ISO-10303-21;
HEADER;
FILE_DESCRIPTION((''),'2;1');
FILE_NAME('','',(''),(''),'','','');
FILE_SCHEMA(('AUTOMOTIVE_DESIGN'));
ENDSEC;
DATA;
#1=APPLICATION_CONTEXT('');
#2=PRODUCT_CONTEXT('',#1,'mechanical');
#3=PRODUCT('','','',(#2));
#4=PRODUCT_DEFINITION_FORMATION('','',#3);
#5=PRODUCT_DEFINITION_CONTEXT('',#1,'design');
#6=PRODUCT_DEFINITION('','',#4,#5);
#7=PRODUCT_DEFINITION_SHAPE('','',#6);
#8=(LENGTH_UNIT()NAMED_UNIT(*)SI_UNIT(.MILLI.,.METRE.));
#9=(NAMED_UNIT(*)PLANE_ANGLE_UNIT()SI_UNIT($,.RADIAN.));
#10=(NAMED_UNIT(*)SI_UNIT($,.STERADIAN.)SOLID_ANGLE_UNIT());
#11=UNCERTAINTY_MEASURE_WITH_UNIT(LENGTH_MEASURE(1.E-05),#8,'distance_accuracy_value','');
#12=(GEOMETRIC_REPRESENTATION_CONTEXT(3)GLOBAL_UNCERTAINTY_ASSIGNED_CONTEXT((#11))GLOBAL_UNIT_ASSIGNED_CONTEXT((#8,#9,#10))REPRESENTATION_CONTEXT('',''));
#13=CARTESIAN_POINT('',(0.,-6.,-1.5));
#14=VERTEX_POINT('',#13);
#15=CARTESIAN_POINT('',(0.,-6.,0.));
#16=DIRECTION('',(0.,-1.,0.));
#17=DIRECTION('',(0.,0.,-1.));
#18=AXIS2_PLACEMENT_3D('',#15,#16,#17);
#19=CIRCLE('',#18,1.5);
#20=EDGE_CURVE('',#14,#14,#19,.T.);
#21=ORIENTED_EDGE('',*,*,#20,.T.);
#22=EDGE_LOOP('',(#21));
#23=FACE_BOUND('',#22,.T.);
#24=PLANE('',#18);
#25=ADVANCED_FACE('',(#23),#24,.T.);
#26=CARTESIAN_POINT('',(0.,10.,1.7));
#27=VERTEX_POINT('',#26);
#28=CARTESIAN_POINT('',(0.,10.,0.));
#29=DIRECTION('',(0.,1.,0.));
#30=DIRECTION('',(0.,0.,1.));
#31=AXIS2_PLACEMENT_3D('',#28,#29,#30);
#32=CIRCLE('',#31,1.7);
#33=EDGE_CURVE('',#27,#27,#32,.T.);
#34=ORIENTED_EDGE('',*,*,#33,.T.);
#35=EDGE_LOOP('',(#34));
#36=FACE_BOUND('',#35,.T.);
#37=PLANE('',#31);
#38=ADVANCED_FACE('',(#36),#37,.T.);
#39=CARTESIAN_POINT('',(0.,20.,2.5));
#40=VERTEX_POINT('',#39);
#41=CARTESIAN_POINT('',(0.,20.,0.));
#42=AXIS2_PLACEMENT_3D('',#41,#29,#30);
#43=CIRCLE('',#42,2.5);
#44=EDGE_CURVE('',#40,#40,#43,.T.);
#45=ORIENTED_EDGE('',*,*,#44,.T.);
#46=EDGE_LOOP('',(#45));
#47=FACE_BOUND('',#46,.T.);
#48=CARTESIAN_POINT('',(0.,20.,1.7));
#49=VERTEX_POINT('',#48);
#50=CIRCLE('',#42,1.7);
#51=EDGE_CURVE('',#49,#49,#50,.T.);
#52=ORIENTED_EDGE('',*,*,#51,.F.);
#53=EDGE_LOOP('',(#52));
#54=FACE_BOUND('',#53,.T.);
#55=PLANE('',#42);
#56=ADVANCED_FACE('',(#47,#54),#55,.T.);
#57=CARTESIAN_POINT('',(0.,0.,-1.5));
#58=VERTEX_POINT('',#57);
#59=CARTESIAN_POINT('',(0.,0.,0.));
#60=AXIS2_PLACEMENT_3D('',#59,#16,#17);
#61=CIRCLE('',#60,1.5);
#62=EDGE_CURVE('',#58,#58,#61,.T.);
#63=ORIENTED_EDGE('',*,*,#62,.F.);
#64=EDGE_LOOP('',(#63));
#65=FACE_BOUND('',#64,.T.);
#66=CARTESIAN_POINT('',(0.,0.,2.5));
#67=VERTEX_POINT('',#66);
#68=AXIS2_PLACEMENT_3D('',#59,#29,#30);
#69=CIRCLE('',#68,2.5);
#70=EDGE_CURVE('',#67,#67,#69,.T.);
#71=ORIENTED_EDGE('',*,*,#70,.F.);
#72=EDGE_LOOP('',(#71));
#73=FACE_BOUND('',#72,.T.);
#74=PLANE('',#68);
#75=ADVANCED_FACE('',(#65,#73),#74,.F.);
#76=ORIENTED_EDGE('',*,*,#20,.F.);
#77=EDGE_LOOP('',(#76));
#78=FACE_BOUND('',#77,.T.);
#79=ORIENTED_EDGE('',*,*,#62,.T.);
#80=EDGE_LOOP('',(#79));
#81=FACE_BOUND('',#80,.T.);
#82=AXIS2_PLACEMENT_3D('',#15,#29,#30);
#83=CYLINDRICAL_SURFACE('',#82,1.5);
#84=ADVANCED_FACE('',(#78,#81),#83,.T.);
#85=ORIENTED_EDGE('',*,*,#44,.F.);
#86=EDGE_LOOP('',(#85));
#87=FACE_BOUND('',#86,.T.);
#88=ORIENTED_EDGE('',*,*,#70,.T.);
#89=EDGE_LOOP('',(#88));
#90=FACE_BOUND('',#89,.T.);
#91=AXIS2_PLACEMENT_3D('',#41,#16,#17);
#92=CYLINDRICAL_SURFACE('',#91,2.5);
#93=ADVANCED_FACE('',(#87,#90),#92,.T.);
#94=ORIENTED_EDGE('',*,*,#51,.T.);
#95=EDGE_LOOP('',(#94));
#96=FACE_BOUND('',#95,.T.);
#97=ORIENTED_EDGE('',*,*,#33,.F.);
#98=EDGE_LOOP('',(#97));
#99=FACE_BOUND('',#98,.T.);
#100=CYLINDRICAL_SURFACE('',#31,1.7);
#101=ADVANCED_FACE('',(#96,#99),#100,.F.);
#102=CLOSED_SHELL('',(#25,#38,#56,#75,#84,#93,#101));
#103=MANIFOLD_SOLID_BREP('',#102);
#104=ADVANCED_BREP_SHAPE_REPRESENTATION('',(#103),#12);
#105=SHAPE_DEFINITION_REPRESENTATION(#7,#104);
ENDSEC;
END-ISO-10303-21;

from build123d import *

# Parameters (mm, degrees)
ESQUISSE1_R             = 2.5
BOSS_EXTRU_1_DEPTH      = 20
ESQUISSE2_R             = 1.5
BOSS_EXTRU_2_DEPTH      = 6
ESQUISSE6_R             = 1.7
ENL_V_MAT_EXTRU_1_DEPTH = 10


with BuildPart() as part:
    # Esquisse1 → Boss.-Extru.1 (new body)
    with BuildSketch(Plane(origin=(0, 0, 0), x_dir=(1, 0, 0), z_dir=(0, 1, 0))):
        Circle(ESQUISSE1_R)
    extrude(amount=BOSS_EXTRU_1_DEPTH)

    # Esquisse2 → Boss.-Extru.2 (add)
    with BuildSketch(Plane.XZ):
        Circle(ESQUISSE2_R)
    extrude(amount=BOSS_EXTRU_2_DEPTH)

    # Esquisse6 → Enlèv. mat.-Extru.1 (cut)
    with BuildSketch(Plane(origin=(0, 20, 0), x_dir=(1, 0, 0), z_dir=(0, 1, 0))):
        Circle(ESQUISSE6_R)
    extrude(amount=-ENL_V_MAT_EXTRU_1_DEPTH, mode=Mode.SUBTRACT)


solid = part.part
